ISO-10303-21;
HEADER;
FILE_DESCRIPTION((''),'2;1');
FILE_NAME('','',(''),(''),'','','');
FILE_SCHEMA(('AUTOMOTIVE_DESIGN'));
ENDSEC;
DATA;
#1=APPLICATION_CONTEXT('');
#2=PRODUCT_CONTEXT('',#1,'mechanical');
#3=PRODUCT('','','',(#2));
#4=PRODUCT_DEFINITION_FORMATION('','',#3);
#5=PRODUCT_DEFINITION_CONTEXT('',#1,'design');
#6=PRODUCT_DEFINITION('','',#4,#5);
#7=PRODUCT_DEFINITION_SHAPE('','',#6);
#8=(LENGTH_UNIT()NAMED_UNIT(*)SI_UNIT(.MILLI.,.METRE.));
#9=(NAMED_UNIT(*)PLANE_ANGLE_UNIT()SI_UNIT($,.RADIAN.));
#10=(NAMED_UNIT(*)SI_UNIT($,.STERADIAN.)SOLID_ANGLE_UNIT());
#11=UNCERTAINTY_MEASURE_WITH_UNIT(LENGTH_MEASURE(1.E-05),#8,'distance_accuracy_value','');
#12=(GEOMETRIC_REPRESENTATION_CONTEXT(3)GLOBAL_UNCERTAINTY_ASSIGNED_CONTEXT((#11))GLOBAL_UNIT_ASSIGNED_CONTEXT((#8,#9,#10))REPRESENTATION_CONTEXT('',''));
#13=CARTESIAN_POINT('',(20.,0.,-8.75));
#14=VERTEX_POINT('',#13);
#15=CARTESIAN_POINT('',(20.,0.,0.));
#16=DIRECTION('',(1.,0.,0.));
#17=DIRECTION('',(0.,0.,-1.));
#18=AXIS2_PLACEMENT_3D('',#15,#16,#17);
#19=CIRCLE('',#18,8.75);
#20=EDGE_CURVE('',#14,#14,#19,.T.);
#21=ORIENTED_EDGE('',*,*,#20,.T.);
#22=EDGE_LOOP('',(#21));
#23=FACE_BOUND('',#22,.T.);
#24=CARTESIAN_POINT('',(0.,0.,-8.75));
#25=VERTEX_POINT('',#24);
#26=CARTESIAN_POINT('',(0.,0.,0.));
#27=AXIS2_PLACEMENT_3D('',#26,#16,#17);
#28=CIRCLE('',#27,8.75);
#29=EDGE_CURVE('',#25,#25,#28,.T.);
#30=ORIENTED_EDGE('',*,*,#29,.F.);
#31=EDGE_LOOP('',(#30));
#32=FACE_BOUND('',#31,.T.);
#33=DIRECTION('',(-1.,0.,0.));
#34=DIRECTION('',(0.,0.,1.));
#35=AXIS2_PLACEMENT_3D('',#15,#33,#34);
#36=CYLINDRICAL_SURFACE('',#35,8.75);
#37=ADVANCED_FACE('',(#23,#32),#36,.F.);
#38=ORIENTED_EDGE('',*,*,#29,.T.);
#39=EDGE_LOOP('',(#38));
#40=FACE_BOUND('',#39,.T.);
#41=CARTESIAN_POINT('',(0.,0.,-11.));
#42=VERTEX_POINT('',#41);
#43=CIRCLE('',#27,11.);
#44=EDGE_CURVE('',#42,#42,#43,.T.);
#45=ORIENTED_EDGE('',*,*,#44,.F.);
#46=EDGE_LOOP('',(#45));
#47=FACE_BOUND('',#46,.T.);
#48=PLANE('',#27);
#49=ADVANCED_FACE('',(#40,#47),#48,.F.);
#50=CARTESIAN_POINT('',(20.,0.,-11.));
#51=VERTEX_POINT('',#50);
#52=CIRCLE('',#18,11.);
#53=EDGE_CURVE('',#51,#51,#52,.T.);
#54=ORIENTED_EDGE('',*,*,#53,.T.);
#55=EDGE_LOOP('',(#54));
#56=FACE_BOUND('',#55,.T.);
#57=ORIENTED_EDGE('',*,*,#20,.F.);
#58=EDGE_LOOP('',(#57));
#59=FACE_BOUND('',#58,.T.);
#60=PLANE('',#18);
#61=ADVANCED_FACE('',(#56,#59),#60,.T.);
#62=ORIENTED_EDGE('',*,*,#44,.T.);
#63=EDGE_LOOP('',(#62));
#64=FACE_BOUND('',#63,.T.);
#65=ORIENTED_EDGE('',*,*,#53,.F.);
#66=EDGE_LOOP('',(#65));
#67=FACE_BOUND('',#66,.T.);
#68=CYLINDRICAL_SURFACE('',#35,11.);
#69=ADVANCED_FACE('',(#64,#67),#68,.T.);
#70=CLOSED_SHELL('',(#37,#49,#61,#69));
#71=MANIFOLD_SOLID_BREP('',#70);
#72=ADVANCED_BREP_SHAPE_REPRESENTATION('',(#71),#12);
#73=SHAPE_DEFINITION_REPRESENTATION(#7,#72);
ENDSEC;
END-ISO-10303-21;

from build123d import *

# Parameters (mm, degrees)
SKETCH1_R      = 11
SKETCH1_R_2    = 8.75
EXTRUDE1_DEPTH = 20


with BuildPart() as part:
    # Sketch1 → Extrude1 (new body)
    with BuildSketch(Plane(origin=(0, 0, 0), x_dir=(0, 0, -1), z_dir=(1, 0, 0))):
        Circle(SKETCH1_R)
        Circle(SKETCH1_R_2, mode=Mode.SUBTRACT)
    extrude(amount=EXTRUDE1_DEPTH)


solid = part.part
